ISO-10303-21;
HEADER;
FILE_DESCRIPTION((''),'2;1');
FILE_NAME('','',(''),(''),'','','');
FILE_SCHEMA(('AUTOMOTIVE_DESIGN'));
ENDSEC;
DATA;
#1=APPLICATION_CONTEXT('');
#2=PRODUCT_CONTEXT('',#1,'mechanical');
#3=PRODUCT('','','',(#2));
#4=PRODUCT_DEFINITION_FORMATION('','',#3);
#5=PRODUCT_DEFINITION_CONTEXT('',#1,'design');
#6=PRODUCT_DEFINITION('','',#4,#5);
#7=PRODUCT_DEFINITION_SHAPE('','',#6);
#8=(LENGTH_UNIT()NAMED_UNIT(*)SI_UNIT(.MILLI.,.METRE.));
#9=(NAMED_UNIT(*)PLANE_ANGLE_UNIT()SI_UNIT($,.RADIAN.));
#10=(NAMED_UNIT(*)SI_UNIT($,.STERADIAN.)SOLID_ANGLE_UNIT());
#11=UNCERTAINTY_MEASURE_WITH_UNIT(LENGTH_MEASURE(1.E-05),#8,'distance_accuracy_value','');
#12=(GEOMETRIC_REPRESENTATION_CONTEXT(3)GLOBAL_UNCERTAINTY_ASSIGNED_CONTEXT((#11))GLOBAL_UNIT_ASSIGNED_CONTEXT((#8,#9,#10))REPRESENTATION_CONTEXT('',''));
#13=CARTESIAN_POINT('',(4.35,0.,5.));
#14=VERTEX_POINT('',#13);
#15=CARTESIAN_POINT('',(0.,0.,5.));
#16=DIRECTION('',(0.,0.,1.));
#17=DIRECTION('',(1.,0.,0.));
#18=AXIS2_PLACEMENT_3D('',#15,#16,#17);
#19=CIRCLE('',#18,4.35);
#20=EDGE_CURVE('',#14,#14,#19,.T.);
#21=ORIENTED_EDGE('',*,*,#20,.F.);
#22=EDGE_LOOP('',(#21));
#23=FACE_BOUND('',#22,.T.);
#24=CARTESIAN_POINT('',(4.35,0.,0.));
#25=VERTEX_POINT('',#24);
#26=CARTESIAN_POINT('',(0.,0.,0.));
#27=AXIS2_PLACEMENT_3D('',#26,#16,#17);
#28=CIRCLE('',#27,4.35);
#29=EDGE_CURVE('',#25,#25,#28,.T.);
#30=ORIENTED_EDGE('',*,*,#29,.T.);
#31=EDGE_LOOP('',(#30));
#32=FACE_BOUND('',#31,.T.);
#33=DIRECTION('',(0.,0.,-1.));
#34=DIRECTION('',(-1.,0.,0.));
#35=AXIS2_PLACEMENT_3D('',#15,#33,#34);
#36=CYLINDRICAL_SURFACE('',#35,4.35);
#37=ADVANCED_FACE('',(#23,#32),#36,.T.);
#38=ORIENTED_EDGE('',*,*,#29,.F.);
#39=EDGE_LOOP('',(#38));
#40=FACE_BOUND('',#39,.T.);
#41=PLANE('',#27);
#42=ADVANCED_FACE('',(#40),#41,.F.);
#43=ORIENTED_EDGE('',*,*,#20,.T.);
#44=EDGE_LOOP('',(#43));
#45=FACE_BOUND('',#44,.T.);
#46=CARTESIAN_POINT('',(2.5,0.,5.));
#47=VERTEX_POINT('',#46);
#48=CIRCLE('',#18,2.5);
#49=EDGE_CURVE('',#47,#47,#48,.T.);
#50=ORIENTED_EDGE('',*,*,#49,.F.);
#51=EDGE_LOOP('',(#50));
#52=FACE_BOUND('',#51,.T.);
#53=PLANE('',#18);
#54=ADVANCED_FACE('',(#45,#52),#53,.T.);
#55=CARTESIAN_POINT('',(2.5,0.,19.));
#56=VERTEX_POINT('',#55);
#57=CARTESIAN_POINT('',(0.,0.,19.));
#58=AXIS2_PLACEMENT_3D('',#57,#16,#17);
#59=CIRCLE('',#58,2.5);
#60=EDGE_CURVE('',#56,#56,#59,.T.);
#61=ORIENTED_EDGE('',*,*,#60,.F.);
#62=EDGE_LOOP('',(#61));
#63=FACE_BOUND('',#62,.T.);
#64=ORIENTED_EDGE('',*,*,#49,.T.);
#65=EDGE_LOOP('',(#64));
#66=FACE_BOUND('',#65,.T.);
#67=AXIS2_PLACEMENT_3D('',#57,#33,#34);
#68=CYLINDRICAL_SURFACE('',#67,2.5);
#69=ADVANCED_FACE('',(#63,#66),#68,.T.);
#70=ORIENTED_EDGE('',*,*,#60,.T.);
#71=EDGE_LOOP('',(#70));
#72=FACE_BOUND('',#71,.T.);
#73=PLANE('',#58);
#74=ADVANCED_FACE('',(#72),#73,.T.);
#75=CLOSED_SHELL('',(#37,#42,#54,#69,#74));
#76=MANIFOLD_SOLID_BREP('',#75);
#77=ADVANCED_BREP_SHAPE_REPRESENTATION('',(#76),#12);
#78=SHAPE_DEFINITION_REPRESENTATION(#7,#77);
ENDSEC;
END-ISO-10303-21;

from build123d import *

# Parameters (mm, degrees)
SKETCH_1_R      = 4.35
EXTRUDE_1_DEPTH = 5
SKETCH_2_R      = 2.5
EXTRUDE_2_DEPTH = 14


with BuildPart() as part:
    # 草图1 → 凸台-拉伸1 (new body)
    with BuildSketch(Plane.XY):
        Circle(SKETCH_1_R)
    extrude(amount=EXTRUDE_1_DEPTH)

    # 草图2 → 凸台-拉伸2 (add)
    with BuildSketch(Plane.XY.offset(5)):
        Circle(SKETCH_2_R)
    extrude(amount=EXTRUDE_2_DEPTH)


solid = part.part
